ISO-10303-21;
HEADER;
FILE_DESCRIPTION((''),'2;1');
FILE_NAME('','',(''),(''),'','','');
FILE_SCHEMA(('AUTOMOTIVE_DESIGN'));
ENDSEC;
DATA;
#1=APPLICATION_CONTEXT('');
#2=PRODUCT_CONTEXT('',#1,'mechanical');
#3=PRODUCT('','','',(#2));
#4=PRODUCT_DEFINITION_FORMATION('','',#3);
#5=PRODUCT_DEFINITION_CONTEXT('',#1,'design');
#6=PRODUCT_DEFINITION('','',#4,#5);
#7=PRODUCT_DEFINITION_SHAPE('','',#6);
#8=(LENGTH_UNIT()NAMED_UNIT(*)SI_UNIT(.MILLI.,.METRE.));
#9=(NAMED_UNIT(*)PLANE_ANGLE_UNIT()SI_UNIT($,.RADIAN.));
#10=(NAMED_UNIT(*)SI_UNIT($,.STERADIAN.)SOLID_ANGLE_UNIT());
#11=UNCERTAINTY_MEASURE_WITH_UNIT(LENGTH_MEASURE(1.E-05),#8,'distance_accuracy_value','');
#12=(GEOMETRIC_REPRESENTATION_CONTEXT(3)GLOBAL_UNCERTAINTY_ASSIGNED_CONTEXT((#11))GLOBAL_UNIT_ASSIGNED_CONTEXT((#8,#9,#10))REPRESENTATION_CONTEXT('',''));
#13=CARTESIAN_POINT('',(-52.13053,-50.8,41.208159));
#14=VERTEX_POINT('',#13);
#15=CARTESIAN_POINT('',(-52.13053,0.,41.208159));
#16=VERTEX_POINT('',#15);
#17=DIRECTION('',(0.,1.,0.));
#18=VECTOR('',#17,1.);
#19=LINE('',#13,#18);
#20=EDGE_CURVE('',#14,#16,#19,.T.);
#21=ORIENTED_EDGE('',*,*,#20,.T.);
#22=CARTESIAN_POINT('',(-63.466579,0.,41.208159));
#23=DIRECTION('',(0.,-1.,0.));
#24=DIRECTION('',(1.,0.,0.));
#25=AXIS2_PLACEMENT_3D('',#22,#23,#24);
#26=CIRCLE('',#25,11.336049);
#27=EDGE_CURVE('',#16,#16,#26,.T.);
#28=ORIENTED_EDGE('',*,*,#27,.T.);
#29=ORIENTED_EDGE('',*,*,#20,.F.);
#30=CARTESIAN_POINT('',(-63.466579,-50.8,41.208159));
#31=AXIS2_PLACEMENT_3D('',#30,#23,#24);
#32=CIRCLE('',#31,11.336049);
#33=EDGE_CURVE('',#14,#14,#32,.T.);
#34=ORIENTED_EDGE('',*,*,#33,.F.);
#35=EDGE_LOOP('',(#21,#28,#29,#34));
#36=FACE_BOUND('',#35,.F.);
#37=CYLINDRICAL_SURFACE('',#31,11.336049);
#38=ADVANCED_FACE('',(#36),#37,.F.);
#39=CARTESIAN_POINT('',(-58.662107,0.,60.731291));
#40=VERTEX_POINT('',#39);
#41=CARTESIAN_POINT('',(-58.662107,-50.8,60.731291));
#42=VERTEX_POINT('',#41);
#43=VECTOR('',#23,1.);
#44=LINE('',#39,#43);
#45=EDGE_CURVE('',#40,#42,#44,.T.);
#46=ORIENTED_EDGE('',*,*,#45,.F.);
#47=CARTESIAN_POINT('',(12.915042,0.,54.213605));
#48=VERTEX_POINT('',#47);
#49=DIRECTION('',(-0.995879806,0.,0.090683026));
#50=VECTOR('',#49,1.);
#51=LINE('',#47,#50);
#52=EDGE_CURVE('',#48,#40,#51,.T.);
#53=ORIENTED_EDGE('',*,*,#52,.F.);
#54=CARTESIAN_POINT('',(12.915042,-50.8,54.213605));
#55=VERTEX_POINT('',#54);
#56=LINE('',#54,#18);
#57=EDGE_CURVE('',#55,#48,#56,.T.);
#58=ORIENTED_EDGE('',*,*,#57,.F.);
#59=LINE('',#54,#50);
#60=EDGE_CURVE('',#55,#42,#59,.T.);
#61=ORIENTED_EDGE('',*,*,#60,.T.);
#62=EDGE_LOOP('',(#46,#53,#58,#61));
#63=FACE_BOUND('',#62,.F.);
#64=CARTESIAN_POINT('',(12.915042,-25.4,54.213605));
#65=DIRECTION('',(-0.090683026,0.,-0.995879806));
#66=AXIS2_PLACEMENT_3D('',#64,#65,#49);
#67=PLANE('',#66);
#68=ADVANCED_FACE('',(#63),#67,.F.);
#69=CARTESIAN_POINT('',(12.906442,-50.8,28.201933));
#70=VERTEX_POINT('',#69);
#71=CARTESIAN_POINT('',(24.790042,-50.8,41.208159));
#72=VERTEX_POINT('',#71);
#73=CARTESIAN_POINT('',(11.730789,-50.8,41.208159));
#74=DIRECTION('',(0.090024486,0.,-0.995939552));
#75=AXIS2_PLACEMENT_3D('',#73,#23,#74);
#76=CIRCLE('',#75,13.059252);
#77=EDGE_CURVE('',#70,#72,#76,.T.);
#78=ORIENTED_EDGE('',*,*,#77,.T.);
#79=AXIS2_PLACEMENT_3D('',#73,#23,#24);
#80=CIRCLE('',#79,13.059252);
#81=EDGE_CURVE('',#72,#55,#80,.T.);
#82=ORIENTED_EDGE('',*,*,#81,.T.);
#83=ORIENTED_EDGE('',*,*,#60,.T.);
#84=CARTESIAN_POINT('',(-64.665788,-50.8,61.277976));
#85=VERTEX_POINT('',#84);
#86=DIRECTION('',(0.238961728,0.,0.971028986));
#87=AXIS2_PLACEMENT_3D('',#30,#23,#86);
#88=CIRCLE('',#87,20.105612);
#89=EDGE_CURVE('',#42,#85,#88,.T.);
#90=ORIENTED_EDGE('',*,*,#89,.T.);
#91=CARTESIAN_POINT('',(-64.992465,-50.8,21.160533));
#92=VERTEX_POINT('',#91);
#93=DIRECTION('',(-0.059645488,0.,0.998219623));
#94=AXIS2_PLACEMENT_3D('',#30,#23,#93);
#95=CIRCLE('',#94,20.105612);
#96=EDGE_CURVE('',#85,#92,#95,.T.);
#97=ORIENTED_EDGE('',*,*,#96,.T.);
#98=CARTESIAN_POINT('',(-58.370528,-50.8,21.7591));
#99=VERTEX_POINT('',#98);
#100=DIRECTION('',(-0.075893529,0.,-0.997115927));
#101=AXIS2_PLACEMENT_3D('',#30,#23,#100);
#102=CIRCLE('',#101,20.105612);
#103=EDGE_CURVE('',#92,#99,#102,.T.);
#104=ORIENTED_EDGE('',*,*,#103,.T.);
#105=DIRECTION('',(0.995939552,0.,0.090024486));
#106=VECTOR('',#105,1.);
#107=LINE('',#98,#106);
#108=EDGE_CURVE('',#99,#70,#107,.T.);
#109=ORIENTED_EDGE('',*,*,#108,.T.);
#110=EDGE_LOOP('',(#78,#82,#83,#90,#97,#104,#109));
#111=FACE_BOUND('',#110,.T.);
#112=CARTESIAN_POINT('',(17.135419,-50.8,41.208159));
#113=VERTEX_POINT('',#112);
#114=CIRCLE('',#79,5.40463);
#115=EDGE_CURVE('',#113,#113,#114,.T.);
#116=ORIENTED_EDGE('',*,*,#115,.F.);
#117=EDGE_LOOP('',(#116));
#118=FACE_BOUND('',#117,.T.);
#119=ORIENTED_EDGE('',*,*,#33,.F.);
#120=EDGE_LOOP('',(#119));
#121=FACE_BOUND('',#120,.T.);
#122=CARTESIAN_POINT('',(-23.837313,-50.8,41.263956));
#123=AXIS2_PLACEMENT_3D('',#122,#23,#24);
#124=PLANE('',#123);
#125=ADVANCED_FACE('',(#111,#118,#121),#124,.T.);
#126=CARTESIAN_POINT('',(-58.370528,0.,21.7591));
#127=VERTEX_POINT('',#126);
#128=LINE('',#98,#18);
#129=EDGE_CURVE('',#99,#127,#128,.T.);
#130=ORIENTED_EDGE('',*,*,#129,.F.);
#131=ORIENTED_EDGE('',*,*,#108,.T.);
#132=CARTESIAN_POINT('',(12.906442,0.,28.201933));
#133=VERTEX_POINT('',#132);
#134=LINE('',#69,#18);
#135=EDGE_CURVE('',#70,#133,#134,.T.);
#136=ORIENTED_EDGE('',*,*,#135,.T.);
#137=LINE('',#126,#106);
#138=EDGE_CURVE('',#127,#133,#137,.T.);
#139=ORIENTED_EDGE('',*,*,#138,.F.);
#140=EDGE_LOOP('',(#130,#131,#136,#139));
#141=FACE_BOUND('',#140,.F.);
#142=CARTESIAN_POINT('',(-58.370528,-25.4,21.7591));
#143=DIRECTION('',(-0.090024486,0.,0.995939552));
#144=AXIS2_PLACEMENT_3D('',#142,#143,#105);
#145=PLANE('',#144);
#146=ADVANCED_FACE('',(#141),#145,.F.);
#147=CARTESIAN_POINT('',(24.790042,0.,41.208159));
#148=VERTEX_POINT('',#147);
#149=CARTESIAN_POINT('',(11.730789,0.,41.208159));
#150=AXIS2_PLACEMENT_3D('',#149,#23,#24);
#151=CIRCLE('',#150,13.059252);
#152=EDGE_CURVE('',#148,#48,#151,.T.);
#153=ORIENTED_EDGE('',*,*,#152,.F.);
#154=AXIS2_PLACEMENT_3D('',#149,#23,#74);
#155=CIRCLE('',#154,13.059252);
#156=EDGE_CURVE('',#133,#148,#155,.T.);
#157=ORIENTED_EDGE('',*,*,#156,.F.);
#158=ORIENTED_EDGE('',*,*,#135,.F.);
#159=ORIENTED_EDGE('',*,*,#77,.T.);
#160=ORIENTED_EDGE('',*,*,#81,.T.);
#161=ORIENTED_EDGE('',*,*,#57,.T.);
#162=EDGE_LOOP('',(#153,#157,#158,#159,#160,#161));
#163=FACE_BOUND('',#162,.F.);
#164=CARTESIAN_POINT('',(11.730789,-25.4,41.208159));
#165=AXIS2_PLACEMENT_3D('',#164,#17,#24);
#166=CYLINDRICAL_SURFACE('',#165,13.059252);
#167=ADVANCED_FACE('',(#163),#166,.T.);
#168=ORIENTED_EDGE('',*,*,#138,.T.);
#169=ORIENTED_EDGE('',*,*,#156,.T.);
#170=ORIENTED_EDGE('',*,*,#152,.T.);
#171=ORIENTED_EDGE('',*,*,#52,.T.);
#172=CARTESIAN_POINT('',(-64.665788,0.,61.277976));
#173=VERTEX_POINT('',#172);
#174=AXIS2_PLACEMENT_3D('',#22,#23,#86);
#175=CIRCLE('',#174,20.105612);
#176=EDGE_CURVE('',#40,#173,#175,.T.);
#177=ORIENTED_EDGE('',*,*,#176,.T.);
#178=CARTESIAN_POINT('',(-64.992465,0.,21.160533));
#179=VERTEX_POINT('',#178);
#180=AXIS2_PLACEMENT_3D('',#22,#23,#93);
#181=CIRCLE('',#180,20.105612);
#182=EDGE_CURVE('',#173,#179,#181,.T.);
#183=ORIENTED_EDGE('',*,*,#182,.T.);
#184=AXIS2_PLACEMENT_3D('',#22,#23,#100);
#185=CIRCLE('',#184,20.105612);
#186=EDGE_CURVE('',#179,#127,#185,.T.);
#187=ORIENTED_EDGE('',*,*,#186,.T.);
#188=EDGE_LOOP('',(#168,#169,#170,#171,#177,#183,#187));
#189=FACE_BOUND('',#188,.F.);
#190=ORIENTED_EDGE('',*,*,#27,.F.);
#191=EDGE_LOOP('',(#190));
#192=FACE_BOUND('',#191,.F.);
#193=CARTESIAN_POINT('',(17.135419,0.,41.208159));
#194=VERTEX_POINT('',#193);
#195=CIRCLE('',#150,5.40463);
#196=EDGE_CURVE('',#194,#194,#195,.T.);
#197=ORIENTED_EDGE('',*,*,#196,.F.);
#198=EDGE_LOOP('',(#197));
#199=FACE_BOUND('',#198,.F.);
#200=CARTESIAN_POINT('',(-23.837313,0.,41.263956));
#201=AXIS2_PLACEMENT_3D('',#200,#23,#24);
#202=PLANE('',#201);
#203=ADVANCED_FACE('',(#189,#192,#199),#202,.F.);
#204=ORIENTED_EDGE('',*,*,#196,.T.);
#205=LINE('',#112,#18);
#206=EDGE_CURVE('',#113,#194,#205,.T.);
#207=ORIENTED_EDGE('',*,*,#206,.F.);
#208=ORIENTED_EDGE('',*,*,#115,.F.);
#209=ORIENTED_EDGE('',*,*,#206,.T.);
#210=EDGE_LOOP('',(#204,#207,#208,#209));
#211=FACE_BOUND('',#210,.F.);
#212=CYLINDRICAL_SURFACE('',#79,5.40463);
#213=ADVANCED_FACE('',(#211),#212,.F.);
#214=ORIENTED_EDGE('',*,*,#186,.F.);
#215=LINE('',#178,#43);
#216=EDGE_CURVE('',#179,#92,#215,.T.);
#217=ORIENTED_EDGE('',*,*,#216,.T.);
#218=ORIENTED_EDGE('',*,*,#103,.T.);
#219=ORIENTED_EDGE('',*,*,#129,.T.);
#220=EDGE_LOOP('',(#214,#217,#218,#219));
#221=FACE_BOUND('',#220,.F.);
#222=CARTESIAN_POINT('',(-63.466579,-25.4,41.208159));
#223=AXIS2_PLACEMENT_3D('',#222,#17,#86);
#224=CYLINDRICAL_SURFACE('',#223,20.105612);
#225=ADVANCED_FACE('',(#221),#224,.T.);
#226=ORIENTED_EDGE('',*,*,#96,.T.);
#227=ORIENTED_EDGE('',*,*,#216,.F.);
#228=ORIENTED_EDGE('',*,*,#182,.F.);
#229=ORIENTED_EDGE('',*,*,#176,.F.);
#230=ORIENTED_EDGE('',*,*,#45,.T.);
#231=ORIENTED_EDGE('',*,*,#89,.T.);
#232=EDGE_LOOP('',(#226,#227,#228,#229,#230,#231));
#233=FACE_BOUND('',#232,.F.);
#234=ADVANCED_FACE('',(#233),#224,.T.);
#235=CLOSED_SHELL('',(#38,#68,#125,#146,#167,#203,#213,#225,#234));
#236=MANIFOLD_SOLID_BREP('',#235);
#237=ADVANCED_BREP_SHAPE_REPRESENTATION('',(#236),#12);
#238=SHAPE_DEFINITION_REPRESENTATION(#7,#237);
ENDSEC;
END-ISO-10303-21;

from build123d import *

# Parameters (mm, degrees)
F0_R     = 5.7858017693
F0_R_2   = 12.2144234622
F1_DEPTH = 25.4
F2_R     = 6.35
F3_DEPTH = 25.4
F4_DEPTH = 25.4
F5_R     = 11.3360487182
F5_R_2   = 5.404630024
F6_DEPTH = 143.764


with BuildPart() as f1:
    # F0 (on Front) → F1 (new body)
    with BuildSketch(Plane.XZ):
        with BuildLine():
            Line((12.9150417295, 54.2136049138), (-58.6621068715, 60.7312914672))
            ThreePointArc((-58.6621068715, 60.7312914672), (-47.6420330376, 53.6105540281), (-43.3609664676, 41.2081591785))
            ThreePointArc((-43.3609664676, 41.2081591785), (-47.549687182, 28.9245030523), (-58.370527571, 21.7590999007))
            Line((-58.370527571, 21.7590999007), (12.9064416896, 28.2019332059))
            ThreePointArc((12.9064416896, 28.2019332059), (-1.3284624626, 41.2124768589), (12.9150417295, 54.2136049138))
        make_face()
        with BuildLine():
            ThreePointArc((24.7900415902, 41.2081591785), (21.374686899, 50.0137999909), (12.9150417295, 54.2136049138))
            ThreePointArc((12.9150417295, 54.2136049138), (-1.3284624626, 41.2124768589), (12.9064416896, 28.2019332059))
            ThreePointArc((12.9064416896, 28.2019332059), (21.3717750304, 32.3993303595), (24.7900415902, 41.2081591785))
        make_face()
        with Locations((11.7307892069, 41.2081591785)):
            Circle(F0_R, mode=Mode.SUBTRACT)
        with BuildLine():
            ThreePointArc((-58.6621068715, 60.7312914672), (-61.6433409645, 61.2309324181), (-64.6657877732, 61.2779758637))
            Line((-64.6657877732, 61.2779758637), (-58.6621068715, 60.7312914672))
        make_face()
        with BuildLine():
            Line((-58.370527571, 21.7590999007), (-64.9924645965, 21.1605329743))
            ThreePointArc((-64.9924645965, 21.1605329743), (-61.6565813141, 21.1841847102), (-58.370527571, 21.7590999007))
        make_face()
        with Locations((11.7307892069, 41.2081591785)):
            Circle(F0_R)
        with BuildLine():
            Line((-58.6621068715, 60.7312914672), (-64.6657877732, 61.2779758637))
            ThreePointArc((-64.6657877732, 61.2779758637), (-83.5715244216, 41.3718739948), (-64.9924645965, 21.1605329743))
            Line((-64.9924645965, 21.1605329743), (-58.370527571, 21.7590999007))
            ThreePointArc((-58.370527571, 21.7590999007), (-47.549687182, 28.9245030523), (-43.3609664676, 41.2081591785))
            ThreePointArc((-43.3609664676, 41.2081591785), (-47.6420330376, 53.6105540281), (-58.6621068715, 60.7312914672))
        make_face()
        with Locations((-63.466578722, 41.2081591785)):
            Circle(F0_R_2, mode=Mode.SUBTRACT)
        with Locations((-63.466578722, 41.2081591785)):
            Circle(F0_R_2)
    extrude(amount=F1_DEPTH)

    # F4 (add): a face of the model
    f4_faces = [f1.faces().sort_by_distance(p)[0] for p in [
        (-33.0156051896, -25.4, 41.2168506506),
    ]]
    extrude(f4_faces, amount=F4_DEPTH)

    # F5 (on face) → F6 (cut)
    with BuildSketch(Plane.XZ.offset(50.8)):
        with Locations((-63.466578722, 41.2081591785)):
            Circle(F5_R)
        with Locations((11.7307892069, 41.2081591785)):
            Circle(F5_R_2)
    extrude(amount=-F6_DEPTH, mode=Mode.SUBTRACT)


with BuildPart() as f3:
    # F2 (on Front) → F3 (new body)
    with BuildSketch(Plane.XZ):
        with Locations((-100.2000197768, -20.0504176319)):
            Circle(F2_R)
    extrude(amount=F3_DEPTH)


solid = f1.part
